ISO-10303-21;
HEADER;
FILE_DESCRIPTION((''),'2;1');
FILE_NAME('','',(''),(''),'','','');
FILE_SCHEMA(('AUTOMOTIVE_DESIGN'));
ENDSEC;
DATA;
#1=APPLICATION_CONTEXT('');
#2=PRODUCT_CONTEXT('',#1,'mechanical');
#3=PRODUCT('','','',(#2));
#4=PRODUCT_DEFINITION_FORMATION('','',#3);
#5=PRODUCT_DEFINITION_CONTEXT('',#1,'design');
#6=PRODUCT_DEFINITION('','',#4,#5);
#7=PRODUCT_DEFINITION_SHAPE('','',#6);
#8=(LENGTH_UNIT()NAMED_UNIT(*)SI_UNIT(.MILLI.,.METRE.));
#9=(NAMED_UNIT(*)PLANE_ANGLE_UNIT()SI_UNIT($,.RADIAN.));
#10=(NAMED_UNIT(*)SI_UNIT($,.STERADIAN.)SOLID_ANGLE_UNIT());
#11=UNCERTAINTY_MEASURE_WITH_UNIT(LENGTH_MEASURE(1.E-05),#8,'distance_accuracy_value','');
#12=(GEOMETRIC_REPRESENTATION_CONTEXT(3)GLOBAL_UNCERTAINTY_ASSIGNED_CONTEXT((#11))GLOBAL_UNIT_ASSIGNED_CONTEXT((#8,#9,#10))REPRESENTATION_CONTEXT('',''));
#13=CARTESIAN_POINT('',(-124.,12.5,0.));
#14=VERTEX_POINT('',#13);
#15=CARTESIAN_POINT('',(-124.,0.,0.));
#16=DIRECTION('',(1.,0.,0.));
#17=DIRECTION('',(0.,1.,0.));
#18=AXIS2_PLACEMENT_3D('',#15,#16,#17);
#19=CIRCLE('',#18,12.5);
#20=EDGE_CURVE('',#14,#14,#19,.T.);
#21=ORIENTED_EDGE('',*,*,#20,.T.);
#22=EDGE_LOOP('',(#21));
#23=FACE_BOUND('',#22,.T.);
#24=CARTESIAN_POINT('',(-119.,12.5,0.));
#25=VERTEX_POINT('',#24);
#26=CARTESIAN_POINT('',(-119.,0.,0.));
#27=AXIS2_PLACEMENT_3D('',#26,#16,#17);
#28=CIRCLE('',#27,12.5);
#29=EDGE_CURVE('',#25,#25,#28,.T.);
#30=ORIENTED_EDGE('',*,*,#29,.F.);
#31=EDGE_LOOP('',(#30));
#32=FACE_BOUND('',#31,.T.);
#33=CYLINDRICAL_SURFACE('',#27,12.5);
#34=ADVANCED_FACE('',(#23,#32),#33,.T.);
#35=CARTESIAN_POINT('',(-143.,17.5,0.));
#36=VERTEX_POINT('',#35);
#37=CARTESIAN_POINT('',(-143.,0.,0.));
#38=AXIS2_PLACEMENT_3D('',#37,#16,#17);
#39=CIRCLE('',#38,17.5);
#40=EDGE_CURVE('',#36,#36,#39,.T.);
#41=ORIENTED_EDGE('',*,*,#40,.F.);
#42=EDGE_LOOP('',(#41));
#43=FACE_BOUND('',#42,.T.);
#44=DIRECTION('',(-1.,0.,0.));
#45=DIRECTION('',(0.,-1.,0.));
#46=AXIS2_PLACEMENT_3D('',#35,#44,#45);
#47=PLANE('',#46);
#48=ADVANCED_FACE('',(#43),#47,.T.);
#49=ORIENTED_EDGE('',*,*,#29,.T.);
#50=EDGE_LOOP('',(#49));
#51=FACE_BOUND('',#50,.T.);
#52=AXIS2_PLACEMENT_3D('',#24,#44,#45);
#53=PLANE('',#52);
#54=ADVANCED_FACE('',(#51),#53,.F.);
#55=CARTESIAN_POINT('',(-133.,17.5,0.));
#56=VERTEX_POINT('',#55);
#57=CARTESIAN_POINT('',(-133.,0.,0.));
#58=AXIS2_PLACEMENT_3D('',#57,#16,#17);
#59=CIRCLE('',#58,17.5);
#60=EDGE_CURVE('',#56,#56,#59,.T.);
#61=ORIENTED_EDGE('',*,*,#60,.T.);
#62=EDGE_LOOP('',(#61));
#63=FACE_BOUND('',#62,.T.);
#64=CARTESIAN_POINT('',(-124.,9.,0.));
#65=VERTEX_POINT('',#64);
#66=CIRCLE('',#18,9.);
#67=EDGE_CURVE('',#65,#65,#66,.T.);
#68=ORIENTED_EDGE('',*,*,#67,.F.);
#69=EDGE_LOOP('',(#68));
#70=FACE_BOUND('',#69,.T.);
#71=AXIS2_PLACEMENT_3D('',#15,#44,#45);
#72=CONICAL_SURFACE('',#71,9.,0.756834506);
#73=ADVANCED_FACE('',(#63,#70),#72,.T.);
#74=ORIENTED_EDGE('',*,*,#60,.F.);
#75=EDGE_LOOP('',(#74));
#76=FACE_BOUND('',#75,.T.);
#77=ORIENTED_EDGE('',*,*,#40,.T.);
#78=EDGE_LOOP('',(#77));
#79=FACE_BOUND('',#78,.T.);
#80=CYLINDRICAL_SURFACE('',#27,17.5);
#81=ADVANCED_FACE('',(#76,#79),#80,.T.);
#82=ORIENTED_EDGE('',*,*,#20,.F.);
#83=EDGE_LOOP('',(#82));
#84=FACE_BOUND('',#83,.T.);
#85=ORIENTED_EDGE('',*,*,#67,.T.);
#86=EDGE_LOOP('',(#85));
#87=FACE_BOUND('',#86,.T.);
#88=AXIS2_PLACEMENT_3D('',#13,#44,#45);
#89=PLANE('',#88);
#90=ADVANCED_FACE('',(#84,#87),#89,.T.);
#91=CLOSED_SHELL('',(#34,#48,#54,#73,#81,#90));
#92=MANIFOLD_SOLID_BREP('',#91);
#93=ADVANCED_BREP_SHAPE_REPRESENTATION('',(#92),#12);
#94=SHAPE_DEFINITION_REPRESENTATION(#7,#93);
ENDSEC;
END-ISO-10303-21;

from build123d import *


with BuildPart() as part:
    # Sketch1 → Revolve2 (revolve)
    with BuildSketch(Plane.XY):
        Polygon((-133, 17.5), (-143, 17.5), (-143, 0), (-119, 0), (-119, 12.5), (-124, 12.5), (-124, 9), align=None)
    revolve(axis=Axis((-119, 0, 0), (-1, 0, 0)))


solid = part.part
